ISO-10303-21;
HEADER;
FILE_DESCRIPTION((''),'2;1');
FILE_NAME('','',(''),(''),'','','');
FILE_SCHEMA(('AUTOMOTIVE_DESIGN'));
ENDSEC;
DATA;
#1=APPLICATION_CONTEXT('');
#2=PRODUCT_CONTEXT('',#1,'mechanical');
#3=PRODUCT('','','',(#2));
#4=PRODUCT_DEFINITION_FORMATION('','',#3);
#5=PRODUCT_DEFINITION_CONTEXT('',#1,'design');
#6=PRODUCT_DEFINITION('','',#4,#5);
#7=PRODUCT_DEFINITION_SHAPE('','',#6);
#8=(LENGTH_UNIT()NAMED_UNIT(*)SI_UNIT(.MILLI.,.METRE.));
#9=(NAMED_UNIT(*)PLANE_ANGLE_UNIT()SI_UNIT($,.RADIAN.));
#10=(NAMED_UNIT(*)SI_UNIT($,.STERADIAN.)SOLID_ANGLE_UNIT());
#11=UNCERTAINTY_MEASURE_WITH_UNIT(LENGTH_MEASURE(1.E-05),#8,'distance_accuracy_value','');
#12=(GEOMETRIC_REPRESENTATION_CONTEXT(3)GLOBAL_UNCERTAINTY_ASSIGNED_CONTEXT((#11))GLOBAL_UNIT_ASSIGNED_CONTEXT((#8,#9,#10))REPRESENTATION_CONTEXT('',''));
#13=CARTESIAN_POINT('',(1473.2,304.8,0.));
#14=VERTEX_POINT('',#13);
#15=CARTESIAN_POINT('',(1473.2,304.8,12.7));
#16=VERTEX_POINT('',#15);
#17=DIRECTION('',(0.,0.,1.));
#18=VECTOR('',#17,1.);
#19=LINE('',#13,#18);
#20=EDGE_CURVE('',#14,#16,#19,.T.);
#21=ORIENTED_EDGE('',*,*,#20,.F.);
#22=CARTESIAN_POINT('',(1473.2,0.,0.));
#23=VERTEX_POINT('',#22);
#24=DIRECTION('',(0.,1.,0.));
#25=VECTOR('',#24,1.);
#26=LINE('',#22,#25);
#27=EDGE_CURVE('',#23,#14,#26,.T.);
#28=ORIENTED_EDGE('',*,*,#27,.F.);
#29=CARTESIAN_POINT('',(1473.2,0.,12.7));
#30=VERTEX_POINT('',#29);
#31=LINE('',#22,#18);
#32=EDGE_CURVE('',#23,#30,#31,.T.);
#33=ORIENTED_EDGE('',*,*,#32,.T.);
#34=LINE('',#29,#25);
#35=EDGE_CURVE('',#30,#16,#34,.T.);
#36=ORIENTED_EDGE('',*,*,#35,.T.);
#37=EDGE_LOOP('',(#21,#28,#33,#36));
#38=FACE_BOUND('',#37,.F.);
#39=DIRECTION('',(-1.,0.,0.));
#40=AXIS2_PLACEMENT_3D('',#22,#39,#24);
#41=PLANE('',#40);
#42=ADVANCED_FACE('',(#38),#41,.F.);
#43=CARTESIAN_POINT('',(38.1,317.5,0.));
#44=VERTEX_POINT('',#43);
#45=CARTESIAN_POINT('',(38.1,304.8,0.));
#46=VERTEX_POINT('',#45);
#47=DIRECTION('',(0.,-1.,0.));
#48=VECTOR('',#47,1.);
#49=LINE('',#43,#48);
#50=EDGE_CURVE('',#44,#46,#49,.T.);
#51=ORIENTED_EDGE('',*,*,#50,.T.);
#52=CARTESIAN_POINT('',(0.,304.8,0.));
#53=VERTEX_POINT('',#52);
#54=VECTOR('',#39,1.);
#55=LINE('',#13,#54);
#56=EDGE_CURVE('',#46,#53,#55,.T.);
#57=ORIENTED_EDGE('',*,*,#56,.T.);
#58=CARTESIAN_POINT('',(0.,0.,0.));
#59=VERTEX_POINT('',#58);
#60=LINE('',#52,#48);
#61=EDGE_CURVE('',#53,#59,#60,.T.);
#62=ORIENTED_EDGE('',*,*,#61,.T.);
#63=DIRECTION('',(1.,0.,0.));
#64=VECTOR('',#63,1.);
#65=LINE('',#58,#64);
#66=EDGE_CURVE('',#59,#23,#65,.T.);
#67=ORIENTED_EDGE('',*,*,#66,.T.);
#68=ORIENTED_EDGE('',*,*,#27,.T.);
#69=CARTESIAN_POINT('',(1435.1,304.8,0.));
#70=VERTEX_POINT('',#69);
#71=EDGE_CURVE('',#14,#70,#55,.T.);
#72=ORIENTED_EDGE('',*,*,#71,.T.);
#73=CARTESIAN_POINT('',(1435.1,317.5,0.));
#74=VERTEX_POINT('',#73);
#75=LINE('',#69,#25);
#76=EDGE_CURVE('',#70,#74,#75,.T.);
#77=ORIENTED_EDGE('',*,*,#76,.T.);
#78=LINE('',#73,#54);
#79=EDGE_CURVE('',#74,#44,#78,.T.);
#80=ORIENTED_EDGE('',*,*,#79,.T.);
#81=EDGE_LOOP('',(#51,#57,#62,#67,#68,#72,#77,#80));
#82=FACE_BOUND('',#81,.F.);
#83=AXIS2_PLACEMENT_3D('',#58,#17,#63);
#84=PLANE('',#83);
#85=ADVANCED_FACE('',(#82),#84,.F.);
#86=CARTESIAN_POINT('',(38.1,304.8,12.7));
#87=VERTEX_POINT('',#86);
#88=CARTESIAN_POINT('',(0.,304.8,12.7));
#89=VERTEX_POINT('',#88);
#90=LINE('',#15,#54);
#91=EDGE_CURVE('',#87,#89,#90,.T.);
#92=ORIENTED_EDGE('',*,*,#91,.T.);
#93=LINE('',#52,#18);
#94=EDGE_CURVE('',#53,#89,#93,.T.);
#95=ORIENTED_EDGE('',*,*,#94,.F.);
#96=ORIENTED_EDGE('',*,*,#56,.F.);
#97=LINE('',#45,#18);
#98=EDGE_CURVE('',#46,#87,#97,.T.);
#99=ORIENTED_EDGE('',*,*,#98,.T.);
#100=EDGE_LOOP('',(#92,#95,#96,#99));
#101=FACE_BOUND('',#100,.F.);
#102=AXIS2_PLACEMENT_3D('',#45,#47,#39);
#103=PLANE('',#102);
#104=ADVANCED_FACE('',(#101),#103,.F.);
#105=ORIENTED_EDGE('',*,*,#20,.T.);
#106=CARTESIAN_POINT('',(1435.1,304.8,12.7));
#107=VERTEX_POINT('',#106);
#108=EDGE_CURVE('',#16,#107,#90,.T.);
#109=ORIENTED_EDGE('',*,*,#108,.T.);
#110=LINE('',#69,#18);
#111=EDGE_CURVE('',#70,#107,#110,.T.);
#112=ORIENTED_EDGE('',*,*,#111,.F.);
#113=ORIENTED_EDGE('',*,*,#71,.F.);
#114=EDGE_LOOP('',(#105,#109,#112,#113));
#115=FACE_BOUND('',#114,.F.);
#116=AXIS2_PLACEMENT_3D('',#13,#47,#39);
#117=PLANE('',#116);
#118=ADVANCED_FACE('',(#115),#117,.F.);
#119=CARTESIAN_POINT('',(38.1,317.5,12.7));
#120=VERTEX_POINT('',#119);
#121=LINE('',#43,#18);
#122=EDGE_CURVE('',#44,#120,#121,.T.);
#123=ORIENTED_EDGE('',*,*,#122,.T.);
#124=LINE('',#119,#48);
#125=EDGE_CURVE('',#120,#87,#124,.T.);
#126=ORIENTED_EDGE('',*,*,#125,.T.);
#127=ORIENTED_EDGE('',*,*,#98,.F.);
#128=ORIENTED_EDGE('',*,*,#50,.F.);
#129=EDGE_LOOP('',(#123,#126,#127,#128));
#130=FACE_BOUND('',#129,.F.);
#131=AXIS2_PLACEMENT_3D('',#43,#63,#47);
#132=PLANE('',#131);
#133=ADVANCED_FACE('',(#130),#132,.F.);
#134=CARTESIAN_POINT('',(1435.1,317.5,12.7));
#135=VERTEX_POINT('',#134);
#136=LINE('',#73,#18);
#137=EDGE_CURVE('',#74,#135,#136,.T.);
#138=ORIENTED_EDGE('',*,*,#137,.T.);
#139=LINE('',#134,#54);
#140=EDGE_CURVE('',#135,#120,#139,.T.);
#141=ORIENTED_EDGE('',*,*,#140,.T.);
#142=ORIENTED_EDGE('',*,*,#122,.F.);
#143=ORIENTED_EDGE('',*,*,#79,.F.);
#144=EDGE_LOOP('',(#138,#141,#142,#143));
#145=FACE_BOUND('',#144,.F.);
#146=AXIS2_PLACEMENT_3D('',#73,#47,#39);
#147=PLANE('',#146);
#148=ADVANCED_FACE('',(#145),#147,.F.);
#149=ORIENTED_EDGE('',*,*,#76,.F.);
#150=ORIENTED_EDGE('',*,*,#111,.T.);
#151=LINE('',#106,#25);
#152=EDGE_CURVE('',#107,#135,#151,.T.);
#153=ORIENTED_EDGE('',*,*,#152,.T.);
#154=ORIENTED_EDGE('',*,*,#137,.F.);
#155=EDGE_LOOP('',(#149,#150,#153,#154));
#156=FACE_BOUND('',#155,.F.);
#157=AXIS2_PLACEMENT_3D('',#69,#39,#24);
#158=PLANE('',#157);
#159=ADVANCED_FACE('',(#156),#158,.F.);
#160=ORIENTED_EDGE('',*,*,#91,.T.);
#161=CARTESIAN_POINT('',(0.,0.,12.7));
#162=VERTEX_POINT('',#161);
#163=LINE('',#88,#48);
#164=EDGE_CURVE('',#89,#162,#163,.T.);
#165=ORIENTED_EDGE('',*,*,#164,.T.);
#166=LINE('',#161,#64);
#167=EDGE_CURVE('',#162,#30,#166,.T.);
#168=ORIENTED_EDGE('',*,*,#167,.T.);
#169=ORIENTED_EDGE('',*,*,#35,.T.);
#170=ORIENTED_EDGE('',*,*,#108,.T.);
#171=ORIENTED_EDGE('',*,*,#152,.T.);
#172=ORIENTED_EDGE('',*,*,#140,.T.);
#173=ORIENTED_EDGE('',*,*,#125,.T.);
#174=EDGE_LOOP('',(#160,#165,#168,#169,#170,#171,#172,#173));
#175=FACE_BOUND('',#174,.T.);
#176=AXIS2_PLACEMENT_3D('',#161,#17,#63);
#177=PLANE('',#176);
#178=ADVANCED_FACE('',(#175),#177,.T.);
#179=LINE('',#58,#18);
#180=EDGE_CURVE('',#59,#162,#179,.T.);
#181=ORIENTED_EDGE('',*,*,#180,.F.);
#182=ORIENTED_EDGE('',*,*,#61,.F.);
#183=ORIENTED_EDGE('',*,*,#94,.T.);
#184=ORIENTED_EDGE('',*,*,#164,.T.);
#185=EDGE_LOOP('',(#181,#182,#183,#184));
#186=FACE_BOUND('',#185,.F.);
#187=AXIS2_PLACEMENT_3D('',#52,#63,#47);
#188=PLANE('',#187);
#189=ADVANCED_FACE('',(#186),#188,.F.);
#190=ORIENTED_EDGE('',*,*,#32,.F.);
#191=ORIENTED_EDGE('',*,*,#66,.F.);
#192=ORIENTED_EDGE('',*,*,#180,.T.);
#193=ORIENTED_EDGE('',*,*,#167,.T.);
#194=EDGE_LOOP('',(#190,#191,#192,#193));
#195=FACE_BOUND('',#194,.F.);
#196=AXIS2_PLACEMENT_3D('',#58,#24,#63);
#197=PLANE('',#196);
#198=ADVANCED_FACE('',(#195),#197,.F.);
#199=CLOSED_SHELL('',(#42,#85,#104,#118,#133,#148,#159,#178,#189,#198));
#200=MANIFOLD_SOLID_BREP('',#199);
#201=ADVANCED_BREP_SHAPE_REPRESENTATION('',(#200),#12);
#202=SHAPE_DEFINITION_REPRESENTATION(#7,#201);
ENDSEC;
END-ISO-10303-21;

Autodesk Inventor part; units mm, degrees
ref_plane "YZ Plane" through (0, 0, 0) normal (1, 0, 0) x (0, 1, 0)
ref_plane "XZ Plane" through (0, 0, 0) normal (0, 1, 0) x (-1, 0, 0)
ref_plane "XY Plane" through (0, 0, 0) normal (0, 0, 1) x (1, 0, 0)
sketch "Sketch1" plane through (0, 0, 0) normal (0, 0, 1) x (1, 0, 0)
  line L0 (0, 0) -> (1473.2, 0)
  line L1 (1473.2, 0) -> (1473.2, 304.8)
  line L2 (1473.2, 304.8) -> (0, 304.8)
  line L3 (0, 304.8) -> (0, 0)
  line L4 (38.1, 304.8) -> (1435.1, 304.8)
  line L5 (1435.1, 304.8) -> (1435.1, 317.5)
  line L6 (1435.1, 317.5) -> (38.1, 317.5)
  line L7 (38.1, 317.5) -> (38.1, 304.8)
  dimension "d0" = 1473.2
  dimension "d1" = 304.8
  dimension "d4" = 12.7
  dimension "d5" = 38.1
  dimension "d6" = 38.1
extrude "Extrusion1" add sketch "Sketch1" along normal blind 12.7
equation "\"d6\" = d5"
properties part number "front-plate" material "Wood (Cherry)"
